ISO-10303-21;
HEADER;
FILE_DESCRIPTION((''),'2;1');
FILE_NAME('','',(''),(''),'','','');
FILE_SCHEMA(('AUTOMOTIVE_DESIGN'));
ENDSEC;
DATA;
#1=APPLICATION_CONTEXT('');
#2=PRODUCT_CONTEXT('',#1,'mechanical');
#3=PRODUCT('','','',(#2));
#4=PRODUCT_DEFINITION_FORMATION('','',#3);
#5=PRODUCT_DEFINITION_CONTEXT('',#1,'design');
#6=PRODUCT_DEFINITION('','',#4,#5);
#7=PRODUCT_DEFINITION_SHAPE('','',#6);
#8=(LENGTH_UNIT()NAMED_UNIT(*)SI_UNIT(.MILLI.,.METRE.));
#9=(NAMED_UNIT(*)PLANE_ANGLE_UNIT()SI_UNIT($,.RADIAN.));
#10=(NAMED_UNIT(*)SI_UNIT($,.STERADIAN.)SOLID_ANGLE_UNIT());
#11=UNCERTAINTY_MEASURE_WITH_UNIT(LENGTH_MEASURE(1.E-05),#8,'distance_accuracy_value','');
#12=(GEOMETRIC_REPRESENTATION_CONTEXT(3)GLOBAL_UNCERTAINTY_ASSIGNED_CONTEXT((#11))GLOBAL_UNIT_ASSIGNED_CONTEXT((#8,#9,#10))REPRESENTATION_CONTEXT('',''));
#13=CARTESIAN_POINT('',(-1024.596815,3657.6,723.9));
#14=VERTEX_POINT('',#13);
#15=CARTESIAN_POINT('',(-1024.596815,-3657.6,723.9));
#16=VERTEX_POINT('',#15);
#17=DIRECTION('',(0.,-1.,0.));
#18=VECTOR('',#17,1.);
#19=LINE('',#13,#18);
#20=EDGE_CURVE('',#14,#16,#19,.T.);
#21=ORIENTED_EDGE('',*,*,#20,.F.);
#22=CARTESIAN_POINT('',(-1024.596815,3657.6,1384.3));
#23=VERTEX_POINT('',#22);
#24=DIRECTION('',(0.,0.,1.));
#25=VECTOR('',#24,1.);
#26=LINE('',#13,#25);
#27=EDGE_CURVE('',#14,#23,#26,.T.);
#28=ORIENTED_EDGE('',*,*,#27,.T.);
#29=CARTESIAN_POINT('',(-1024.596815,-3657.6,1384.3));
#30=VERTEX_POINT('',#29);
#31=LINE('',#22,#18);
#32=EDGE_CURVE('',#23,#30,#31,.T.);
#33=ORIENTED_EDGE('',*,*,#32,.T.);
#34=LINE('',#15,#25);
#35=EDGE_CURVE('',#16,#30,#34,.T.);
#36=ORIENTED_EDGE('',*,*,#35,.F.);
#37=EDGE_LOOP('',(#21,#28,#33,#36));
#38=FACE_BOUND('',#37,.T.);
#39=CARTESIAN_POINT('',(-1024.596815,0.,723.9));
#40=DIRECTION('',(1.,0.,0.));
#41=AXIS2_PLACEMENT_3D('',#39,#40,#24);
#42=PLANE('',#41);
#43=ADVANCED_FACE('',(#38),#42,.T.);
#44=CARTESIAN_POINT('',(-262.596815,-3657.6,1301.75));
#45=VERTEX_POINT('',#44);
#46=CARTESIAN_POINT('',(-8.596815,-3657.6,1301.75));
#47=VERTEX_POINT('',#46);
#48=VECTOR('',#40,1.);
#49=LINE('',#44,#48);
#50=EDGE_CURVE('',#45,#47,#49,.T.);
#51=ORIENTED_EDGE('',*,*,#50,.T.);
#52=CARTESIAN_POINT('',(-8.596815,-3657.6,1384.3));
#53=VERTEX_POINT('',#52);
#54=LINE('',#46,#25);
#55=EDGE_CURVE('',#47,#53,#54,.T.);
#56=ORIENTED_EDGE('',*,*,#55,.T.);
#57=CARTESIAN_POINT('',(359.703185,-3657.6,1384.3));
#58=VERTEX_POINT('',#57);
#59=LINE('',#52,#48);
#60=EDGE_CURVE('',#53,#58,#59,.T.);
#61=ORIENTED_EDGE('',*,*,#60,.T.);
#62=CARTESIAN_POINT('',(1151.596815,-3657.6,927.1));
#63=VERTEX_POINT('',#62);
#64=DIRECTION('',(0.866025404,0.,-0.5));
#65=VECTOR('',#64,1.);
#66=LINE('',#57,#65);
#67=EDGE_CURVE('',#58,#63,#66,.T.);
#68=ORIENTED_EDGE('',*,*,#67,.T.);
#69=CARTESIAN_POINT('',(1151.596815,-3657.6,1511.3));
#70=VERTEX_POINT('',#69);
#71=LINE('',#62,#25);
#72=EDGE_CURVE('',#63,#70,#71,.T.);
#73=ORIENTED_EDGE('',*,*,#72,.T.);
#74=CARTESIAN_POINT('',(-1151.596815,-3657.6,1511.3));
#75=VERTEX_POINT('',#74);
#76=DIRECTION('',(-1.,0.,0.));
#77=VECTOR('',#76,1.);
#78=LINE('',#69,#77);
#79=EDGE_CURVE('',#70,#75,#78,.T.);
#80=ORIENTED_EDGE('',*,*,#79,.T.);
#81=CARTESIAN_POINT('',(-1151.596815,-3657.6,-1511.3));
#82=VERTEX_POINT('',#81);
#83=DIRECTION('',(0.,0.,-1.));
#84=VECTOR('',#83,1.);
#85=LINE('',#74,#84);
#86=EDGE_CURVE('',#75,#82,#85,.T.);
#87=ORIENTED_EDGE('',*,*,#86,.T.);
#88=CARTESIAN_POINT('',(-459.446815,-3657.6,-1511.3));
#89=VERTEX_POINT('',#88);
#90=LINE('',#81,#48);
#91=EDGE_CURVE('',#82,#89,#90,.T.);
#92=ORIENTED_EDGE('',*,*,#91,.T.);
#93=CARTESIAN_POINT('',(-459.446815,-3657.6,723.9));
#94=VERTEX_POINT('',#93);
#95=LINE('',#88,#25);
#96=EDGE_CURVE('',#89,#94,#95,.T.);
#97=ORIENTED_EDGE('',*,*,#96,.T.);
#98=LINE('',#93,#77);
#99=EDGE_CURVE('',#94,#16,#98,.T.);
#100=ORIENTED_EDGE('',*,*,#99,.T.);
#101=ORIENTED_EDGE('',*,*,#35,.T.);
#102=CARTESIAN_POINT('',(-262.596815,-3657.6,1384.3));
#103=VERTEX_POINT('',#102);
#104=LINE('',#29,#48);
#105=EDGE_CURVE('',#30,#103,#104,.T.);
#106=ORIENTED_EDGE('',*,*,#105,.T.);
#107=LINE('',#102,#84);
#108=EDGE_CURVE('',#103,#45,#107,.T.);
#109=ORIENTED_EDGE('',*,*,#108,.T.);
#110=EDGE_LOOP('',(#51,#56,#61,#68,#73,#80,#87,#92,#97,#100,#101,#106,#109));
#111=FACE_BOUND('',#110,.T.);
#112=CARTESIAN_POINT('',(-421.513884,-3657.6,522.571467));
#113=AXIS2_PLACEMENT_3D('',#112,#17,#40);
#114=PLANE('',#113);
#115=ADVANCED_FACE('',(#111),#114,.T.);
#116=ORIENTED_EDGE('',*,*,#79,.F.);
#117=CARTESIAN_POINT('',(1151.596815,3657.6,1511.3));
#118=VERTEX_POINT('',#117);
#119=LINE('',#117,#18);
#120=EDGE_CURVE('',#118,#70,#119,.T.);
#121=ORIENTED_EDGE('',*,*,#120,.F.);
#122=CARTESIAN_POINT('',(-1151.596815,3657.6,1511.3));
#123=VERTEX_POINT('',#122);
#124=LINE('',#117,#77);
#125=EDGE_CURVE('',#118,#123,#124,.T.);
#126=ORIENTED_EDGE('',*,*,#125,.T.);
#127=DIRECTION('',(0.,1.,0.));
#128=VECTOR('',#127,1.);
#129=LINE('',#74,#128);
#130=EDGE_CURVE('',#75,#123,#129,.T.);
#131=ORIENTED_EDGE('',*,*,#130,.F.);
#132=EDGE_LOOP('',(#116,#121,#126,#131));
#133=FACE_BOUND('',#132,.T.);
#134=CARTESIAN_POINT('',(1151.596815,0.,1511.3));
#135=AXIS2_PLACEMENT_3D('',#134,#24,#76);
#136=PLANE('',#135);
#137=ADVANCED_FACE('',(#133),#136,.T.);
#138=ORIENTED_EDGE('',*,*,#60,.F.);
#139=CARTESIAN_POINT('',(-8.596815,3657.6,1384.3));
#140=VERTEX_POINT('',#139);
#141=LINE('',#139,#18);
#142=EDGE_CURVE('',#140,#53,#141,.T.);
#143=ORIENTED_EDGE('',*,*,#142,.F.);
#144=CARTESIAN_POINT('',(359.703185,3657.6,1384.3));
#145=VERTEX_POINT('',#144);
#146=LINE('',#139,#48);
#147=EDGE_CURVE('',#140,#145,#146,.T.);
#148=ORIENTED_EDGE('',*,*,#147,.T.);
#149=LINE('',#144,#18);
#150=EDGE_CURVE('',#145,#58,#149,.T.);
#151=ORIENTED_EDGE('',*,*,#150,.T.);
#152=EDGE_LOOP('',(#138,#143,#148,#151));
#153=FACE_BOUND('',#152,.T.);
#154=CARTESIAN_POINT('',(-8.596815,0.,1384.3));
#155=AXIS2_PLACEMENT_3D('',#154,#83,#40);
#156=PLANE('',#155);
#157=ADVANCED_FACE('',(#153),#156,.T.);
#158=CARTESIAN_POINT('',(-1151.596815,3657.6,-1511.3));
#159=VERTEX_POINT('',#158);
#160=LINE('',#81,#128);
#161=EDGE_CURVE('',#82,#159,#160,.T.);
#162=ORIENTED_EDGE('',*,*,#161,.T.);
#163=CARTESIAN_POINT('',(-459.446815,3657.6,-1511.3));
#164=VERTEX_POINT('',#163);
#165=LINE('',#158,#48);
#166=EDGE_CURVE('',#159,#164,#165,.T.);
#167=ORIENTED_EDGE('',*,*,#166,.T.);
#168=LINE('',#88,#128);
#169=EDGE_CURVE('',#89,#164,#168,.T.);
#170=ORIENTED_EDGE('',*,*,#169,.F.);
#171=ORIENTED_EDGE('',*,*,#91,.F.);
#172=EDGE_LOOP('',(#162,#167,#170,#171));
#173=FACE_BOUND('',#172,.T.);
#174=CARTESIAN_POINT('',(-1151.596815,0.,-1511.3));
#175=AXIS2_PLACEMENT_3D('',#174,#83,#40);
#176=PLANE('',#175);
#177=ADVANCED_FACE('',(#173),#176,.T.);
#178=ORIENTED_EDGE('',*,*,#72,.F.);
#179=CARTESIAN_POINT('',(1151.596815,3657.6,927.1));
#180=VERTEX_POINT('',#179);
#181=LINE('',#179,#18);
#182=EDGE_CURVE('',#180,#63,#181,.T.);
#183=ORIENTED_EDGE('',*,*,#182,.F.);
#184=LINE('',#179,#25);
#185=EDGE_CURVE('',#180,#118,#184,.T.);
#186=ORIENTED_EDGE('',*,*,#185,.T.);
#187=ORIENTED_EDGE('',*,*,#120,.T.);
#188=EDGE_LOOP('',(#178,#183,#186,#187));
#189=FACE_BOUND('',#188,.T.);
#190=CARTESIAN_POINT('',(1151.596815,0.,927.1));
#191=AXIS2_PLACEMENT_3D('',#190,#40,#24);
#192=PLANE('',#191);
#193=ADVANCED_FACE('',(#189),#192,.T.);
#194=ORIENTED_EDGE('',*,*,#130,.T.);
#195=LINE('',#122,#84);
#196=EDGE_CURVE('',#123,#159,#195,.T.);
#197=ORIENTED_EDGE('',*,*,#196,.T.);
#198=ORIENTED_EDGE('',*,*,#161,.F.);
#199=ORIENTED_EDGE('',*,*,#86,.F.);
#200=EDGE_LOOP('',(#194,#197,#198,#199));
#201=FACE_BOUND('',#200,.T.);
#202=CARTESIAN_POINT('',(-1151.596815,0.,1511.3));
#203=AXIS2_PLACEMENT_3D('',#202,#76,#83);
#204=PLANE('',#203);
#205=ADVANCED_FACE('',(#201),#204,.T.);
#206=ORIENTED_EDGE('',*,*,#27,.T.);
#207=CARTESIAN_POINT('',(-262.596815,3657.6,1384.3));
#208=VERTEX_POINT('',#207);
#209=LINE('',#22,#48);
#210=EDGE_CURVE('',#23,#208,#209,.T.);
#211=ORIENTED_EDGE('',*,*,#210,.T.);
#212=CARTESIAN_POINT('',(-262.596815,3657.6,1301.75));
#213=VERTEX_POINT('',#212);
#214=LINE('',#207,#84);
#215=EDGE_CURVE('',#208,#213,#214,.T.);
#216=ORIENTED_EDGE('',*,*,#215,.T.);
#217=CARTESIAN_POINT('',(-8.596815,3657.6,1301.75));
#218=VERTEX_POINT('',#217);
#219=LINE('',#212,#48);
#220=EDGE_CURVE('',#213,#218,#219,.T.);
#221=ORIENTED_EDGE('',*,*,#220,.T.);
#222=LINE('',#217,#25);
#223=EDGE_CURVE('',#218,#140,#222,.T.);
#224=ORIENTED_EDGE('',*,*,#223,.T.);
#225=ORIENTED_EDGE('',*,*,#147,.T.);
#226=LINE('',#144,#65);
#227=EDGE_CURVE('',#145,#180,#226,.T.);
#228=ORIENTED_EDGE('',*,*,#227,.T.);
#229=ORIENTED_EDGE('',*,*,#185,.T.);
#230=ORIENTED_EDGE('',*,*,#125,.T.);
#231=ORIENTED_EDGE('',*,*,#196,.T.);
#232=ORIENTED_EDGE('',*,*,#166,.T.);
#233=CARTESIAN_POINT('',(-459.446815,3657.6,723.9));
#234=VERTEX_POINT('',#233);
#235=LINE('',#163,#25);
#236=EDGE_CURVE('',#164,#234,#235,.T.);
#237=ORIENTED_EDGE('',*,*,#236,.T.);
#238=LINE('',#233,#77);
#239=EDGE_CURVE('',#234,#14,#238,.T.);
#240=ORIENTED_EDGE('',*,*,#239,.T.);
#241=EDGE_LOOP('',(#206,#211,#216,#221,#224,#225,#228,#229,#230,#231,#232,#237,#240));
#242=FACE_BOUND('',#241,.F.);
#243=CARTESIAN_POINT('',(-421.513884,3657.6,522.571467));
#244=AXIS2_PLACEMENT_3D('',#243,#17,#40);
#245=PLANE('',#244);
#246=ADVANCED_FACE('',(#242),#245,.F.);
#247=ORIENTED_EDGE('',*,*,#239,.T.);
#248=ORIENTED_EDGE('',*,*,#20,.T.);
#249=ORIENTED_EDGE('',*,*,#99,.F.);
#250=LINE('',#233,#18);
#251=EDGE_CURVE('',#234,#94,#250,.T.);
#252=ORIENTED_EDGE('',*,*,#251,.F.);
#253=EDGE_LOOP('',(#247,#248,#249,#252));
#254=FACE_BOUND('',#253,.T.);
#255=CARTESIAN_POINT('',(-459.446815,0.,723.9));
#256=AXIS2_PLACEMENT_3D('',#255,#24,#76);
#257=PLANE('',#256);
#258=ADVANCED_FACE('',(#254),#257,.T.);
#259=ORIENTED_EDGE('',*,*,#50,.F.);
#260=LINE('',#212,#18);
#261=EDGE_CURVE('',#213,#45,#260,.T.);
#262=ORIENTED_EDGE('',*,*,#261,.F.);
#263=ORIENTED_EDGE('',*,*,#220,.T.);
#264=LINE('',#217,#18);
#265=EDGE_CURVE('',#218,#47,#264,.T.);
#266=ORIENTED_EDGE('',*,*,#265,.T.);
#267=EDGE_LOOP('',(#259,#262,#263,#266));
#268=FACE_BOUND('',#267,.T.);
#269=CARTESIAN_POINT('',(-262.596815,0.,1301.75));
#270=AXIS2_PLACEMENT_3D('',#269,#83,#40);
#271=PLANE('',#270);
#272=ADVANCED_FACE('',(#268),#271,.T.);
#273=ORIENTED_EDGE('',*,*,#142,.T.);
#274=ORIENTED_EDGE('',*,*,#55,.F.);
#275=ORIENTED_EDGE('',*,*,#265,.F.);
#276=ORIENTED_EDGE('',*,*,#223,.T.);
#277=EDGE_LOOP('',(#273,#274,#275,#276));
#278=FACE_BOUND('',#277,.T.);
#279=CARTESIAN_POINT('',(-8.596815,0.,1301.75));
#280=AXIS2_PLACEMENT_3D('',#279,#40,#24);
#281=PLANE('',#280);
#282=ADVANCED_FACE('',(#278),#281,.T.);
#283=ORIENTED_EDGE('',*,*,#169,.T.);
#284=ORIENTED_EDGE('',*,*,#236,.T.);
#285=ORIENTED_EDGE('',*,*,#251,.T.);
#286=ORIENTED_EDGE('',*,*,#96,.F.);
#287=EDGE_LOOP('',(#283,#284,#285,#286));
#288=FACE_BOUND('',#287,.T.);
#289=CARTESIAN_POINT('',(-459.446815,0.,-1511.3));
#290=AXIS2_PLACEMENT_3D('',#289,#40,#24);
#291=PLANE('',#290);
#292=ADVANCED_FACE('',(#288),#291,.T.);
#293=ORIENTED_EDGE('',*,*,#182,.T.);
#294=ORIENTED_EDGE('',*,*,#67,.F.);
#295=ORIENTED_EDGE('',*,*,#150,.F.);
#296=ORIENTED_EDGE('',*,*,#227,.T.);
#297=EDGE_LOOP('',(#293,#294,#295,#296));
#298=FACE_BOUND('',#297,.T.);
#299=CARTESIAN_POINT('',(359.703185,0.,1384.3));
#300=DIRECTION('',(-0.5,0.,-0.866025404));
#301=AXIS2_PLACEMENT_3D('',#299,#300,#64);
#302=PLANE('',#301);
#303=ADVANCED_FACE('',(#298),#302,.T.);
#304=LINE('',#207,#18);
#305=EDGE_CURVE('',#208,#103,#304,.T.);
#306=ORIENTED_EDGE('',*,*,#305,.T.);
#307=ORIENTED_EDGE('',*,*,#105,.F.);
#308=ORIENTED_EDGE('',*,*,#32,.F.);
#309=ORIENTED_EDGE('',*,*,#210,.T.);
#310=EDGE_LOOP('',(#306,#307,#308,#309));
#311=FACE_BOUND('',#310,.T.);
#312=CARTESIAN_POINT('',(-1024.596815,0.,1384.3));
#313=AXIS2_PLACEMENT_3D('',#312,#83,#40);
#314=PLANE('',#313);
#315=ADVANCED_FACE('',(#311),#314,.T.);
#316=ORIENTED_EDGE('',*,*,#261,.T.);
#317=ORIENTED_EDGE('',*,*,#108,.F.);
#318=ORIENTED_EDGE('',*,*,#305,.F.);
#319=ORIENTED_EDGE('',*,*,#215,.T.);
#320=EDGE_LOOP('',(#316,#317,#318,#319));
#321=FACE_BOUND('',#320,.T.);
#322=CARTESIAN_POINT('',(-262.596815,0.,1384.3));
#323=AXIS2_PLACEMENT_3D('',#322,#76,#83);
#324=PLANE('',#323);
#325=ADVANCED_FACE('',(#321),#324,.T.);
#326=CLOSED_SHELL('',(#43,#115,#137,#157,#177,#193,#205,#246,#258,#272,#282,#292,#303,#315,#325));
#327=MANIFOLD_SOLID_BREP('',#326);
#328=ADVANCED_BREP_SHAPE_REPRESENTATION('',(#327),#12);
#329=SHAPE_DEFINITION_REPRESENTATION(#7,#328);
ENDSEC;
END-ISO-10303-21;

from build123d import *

# Parameters (mm, degrees)
F1_DEPTH = 3657.6


with BuildPart() as f1:
    # F0 (on Front) → F1 (new body, symmetric)
    with BuildSketch(Plane.XZ):
        Polygon((-459.446815, -1511.3), (-459.446815, 723.9), (-1024.596815, 723.9), (-1024.596815, 1384.3), (-262.596815, 1384.3), (-262.596815, 1301.75), (-8.596815, 1301.75), (-8.596815, 1384.3), (359.703185, 1384.3), (1151.596815, 927.1), (1151.596815, 1511.3), (-1151.596815, 1511.3), (-1151.596815, -1511.3), align=None)
    extrude(amount=F1_DEPTH, both=True)


solid = f1.part
